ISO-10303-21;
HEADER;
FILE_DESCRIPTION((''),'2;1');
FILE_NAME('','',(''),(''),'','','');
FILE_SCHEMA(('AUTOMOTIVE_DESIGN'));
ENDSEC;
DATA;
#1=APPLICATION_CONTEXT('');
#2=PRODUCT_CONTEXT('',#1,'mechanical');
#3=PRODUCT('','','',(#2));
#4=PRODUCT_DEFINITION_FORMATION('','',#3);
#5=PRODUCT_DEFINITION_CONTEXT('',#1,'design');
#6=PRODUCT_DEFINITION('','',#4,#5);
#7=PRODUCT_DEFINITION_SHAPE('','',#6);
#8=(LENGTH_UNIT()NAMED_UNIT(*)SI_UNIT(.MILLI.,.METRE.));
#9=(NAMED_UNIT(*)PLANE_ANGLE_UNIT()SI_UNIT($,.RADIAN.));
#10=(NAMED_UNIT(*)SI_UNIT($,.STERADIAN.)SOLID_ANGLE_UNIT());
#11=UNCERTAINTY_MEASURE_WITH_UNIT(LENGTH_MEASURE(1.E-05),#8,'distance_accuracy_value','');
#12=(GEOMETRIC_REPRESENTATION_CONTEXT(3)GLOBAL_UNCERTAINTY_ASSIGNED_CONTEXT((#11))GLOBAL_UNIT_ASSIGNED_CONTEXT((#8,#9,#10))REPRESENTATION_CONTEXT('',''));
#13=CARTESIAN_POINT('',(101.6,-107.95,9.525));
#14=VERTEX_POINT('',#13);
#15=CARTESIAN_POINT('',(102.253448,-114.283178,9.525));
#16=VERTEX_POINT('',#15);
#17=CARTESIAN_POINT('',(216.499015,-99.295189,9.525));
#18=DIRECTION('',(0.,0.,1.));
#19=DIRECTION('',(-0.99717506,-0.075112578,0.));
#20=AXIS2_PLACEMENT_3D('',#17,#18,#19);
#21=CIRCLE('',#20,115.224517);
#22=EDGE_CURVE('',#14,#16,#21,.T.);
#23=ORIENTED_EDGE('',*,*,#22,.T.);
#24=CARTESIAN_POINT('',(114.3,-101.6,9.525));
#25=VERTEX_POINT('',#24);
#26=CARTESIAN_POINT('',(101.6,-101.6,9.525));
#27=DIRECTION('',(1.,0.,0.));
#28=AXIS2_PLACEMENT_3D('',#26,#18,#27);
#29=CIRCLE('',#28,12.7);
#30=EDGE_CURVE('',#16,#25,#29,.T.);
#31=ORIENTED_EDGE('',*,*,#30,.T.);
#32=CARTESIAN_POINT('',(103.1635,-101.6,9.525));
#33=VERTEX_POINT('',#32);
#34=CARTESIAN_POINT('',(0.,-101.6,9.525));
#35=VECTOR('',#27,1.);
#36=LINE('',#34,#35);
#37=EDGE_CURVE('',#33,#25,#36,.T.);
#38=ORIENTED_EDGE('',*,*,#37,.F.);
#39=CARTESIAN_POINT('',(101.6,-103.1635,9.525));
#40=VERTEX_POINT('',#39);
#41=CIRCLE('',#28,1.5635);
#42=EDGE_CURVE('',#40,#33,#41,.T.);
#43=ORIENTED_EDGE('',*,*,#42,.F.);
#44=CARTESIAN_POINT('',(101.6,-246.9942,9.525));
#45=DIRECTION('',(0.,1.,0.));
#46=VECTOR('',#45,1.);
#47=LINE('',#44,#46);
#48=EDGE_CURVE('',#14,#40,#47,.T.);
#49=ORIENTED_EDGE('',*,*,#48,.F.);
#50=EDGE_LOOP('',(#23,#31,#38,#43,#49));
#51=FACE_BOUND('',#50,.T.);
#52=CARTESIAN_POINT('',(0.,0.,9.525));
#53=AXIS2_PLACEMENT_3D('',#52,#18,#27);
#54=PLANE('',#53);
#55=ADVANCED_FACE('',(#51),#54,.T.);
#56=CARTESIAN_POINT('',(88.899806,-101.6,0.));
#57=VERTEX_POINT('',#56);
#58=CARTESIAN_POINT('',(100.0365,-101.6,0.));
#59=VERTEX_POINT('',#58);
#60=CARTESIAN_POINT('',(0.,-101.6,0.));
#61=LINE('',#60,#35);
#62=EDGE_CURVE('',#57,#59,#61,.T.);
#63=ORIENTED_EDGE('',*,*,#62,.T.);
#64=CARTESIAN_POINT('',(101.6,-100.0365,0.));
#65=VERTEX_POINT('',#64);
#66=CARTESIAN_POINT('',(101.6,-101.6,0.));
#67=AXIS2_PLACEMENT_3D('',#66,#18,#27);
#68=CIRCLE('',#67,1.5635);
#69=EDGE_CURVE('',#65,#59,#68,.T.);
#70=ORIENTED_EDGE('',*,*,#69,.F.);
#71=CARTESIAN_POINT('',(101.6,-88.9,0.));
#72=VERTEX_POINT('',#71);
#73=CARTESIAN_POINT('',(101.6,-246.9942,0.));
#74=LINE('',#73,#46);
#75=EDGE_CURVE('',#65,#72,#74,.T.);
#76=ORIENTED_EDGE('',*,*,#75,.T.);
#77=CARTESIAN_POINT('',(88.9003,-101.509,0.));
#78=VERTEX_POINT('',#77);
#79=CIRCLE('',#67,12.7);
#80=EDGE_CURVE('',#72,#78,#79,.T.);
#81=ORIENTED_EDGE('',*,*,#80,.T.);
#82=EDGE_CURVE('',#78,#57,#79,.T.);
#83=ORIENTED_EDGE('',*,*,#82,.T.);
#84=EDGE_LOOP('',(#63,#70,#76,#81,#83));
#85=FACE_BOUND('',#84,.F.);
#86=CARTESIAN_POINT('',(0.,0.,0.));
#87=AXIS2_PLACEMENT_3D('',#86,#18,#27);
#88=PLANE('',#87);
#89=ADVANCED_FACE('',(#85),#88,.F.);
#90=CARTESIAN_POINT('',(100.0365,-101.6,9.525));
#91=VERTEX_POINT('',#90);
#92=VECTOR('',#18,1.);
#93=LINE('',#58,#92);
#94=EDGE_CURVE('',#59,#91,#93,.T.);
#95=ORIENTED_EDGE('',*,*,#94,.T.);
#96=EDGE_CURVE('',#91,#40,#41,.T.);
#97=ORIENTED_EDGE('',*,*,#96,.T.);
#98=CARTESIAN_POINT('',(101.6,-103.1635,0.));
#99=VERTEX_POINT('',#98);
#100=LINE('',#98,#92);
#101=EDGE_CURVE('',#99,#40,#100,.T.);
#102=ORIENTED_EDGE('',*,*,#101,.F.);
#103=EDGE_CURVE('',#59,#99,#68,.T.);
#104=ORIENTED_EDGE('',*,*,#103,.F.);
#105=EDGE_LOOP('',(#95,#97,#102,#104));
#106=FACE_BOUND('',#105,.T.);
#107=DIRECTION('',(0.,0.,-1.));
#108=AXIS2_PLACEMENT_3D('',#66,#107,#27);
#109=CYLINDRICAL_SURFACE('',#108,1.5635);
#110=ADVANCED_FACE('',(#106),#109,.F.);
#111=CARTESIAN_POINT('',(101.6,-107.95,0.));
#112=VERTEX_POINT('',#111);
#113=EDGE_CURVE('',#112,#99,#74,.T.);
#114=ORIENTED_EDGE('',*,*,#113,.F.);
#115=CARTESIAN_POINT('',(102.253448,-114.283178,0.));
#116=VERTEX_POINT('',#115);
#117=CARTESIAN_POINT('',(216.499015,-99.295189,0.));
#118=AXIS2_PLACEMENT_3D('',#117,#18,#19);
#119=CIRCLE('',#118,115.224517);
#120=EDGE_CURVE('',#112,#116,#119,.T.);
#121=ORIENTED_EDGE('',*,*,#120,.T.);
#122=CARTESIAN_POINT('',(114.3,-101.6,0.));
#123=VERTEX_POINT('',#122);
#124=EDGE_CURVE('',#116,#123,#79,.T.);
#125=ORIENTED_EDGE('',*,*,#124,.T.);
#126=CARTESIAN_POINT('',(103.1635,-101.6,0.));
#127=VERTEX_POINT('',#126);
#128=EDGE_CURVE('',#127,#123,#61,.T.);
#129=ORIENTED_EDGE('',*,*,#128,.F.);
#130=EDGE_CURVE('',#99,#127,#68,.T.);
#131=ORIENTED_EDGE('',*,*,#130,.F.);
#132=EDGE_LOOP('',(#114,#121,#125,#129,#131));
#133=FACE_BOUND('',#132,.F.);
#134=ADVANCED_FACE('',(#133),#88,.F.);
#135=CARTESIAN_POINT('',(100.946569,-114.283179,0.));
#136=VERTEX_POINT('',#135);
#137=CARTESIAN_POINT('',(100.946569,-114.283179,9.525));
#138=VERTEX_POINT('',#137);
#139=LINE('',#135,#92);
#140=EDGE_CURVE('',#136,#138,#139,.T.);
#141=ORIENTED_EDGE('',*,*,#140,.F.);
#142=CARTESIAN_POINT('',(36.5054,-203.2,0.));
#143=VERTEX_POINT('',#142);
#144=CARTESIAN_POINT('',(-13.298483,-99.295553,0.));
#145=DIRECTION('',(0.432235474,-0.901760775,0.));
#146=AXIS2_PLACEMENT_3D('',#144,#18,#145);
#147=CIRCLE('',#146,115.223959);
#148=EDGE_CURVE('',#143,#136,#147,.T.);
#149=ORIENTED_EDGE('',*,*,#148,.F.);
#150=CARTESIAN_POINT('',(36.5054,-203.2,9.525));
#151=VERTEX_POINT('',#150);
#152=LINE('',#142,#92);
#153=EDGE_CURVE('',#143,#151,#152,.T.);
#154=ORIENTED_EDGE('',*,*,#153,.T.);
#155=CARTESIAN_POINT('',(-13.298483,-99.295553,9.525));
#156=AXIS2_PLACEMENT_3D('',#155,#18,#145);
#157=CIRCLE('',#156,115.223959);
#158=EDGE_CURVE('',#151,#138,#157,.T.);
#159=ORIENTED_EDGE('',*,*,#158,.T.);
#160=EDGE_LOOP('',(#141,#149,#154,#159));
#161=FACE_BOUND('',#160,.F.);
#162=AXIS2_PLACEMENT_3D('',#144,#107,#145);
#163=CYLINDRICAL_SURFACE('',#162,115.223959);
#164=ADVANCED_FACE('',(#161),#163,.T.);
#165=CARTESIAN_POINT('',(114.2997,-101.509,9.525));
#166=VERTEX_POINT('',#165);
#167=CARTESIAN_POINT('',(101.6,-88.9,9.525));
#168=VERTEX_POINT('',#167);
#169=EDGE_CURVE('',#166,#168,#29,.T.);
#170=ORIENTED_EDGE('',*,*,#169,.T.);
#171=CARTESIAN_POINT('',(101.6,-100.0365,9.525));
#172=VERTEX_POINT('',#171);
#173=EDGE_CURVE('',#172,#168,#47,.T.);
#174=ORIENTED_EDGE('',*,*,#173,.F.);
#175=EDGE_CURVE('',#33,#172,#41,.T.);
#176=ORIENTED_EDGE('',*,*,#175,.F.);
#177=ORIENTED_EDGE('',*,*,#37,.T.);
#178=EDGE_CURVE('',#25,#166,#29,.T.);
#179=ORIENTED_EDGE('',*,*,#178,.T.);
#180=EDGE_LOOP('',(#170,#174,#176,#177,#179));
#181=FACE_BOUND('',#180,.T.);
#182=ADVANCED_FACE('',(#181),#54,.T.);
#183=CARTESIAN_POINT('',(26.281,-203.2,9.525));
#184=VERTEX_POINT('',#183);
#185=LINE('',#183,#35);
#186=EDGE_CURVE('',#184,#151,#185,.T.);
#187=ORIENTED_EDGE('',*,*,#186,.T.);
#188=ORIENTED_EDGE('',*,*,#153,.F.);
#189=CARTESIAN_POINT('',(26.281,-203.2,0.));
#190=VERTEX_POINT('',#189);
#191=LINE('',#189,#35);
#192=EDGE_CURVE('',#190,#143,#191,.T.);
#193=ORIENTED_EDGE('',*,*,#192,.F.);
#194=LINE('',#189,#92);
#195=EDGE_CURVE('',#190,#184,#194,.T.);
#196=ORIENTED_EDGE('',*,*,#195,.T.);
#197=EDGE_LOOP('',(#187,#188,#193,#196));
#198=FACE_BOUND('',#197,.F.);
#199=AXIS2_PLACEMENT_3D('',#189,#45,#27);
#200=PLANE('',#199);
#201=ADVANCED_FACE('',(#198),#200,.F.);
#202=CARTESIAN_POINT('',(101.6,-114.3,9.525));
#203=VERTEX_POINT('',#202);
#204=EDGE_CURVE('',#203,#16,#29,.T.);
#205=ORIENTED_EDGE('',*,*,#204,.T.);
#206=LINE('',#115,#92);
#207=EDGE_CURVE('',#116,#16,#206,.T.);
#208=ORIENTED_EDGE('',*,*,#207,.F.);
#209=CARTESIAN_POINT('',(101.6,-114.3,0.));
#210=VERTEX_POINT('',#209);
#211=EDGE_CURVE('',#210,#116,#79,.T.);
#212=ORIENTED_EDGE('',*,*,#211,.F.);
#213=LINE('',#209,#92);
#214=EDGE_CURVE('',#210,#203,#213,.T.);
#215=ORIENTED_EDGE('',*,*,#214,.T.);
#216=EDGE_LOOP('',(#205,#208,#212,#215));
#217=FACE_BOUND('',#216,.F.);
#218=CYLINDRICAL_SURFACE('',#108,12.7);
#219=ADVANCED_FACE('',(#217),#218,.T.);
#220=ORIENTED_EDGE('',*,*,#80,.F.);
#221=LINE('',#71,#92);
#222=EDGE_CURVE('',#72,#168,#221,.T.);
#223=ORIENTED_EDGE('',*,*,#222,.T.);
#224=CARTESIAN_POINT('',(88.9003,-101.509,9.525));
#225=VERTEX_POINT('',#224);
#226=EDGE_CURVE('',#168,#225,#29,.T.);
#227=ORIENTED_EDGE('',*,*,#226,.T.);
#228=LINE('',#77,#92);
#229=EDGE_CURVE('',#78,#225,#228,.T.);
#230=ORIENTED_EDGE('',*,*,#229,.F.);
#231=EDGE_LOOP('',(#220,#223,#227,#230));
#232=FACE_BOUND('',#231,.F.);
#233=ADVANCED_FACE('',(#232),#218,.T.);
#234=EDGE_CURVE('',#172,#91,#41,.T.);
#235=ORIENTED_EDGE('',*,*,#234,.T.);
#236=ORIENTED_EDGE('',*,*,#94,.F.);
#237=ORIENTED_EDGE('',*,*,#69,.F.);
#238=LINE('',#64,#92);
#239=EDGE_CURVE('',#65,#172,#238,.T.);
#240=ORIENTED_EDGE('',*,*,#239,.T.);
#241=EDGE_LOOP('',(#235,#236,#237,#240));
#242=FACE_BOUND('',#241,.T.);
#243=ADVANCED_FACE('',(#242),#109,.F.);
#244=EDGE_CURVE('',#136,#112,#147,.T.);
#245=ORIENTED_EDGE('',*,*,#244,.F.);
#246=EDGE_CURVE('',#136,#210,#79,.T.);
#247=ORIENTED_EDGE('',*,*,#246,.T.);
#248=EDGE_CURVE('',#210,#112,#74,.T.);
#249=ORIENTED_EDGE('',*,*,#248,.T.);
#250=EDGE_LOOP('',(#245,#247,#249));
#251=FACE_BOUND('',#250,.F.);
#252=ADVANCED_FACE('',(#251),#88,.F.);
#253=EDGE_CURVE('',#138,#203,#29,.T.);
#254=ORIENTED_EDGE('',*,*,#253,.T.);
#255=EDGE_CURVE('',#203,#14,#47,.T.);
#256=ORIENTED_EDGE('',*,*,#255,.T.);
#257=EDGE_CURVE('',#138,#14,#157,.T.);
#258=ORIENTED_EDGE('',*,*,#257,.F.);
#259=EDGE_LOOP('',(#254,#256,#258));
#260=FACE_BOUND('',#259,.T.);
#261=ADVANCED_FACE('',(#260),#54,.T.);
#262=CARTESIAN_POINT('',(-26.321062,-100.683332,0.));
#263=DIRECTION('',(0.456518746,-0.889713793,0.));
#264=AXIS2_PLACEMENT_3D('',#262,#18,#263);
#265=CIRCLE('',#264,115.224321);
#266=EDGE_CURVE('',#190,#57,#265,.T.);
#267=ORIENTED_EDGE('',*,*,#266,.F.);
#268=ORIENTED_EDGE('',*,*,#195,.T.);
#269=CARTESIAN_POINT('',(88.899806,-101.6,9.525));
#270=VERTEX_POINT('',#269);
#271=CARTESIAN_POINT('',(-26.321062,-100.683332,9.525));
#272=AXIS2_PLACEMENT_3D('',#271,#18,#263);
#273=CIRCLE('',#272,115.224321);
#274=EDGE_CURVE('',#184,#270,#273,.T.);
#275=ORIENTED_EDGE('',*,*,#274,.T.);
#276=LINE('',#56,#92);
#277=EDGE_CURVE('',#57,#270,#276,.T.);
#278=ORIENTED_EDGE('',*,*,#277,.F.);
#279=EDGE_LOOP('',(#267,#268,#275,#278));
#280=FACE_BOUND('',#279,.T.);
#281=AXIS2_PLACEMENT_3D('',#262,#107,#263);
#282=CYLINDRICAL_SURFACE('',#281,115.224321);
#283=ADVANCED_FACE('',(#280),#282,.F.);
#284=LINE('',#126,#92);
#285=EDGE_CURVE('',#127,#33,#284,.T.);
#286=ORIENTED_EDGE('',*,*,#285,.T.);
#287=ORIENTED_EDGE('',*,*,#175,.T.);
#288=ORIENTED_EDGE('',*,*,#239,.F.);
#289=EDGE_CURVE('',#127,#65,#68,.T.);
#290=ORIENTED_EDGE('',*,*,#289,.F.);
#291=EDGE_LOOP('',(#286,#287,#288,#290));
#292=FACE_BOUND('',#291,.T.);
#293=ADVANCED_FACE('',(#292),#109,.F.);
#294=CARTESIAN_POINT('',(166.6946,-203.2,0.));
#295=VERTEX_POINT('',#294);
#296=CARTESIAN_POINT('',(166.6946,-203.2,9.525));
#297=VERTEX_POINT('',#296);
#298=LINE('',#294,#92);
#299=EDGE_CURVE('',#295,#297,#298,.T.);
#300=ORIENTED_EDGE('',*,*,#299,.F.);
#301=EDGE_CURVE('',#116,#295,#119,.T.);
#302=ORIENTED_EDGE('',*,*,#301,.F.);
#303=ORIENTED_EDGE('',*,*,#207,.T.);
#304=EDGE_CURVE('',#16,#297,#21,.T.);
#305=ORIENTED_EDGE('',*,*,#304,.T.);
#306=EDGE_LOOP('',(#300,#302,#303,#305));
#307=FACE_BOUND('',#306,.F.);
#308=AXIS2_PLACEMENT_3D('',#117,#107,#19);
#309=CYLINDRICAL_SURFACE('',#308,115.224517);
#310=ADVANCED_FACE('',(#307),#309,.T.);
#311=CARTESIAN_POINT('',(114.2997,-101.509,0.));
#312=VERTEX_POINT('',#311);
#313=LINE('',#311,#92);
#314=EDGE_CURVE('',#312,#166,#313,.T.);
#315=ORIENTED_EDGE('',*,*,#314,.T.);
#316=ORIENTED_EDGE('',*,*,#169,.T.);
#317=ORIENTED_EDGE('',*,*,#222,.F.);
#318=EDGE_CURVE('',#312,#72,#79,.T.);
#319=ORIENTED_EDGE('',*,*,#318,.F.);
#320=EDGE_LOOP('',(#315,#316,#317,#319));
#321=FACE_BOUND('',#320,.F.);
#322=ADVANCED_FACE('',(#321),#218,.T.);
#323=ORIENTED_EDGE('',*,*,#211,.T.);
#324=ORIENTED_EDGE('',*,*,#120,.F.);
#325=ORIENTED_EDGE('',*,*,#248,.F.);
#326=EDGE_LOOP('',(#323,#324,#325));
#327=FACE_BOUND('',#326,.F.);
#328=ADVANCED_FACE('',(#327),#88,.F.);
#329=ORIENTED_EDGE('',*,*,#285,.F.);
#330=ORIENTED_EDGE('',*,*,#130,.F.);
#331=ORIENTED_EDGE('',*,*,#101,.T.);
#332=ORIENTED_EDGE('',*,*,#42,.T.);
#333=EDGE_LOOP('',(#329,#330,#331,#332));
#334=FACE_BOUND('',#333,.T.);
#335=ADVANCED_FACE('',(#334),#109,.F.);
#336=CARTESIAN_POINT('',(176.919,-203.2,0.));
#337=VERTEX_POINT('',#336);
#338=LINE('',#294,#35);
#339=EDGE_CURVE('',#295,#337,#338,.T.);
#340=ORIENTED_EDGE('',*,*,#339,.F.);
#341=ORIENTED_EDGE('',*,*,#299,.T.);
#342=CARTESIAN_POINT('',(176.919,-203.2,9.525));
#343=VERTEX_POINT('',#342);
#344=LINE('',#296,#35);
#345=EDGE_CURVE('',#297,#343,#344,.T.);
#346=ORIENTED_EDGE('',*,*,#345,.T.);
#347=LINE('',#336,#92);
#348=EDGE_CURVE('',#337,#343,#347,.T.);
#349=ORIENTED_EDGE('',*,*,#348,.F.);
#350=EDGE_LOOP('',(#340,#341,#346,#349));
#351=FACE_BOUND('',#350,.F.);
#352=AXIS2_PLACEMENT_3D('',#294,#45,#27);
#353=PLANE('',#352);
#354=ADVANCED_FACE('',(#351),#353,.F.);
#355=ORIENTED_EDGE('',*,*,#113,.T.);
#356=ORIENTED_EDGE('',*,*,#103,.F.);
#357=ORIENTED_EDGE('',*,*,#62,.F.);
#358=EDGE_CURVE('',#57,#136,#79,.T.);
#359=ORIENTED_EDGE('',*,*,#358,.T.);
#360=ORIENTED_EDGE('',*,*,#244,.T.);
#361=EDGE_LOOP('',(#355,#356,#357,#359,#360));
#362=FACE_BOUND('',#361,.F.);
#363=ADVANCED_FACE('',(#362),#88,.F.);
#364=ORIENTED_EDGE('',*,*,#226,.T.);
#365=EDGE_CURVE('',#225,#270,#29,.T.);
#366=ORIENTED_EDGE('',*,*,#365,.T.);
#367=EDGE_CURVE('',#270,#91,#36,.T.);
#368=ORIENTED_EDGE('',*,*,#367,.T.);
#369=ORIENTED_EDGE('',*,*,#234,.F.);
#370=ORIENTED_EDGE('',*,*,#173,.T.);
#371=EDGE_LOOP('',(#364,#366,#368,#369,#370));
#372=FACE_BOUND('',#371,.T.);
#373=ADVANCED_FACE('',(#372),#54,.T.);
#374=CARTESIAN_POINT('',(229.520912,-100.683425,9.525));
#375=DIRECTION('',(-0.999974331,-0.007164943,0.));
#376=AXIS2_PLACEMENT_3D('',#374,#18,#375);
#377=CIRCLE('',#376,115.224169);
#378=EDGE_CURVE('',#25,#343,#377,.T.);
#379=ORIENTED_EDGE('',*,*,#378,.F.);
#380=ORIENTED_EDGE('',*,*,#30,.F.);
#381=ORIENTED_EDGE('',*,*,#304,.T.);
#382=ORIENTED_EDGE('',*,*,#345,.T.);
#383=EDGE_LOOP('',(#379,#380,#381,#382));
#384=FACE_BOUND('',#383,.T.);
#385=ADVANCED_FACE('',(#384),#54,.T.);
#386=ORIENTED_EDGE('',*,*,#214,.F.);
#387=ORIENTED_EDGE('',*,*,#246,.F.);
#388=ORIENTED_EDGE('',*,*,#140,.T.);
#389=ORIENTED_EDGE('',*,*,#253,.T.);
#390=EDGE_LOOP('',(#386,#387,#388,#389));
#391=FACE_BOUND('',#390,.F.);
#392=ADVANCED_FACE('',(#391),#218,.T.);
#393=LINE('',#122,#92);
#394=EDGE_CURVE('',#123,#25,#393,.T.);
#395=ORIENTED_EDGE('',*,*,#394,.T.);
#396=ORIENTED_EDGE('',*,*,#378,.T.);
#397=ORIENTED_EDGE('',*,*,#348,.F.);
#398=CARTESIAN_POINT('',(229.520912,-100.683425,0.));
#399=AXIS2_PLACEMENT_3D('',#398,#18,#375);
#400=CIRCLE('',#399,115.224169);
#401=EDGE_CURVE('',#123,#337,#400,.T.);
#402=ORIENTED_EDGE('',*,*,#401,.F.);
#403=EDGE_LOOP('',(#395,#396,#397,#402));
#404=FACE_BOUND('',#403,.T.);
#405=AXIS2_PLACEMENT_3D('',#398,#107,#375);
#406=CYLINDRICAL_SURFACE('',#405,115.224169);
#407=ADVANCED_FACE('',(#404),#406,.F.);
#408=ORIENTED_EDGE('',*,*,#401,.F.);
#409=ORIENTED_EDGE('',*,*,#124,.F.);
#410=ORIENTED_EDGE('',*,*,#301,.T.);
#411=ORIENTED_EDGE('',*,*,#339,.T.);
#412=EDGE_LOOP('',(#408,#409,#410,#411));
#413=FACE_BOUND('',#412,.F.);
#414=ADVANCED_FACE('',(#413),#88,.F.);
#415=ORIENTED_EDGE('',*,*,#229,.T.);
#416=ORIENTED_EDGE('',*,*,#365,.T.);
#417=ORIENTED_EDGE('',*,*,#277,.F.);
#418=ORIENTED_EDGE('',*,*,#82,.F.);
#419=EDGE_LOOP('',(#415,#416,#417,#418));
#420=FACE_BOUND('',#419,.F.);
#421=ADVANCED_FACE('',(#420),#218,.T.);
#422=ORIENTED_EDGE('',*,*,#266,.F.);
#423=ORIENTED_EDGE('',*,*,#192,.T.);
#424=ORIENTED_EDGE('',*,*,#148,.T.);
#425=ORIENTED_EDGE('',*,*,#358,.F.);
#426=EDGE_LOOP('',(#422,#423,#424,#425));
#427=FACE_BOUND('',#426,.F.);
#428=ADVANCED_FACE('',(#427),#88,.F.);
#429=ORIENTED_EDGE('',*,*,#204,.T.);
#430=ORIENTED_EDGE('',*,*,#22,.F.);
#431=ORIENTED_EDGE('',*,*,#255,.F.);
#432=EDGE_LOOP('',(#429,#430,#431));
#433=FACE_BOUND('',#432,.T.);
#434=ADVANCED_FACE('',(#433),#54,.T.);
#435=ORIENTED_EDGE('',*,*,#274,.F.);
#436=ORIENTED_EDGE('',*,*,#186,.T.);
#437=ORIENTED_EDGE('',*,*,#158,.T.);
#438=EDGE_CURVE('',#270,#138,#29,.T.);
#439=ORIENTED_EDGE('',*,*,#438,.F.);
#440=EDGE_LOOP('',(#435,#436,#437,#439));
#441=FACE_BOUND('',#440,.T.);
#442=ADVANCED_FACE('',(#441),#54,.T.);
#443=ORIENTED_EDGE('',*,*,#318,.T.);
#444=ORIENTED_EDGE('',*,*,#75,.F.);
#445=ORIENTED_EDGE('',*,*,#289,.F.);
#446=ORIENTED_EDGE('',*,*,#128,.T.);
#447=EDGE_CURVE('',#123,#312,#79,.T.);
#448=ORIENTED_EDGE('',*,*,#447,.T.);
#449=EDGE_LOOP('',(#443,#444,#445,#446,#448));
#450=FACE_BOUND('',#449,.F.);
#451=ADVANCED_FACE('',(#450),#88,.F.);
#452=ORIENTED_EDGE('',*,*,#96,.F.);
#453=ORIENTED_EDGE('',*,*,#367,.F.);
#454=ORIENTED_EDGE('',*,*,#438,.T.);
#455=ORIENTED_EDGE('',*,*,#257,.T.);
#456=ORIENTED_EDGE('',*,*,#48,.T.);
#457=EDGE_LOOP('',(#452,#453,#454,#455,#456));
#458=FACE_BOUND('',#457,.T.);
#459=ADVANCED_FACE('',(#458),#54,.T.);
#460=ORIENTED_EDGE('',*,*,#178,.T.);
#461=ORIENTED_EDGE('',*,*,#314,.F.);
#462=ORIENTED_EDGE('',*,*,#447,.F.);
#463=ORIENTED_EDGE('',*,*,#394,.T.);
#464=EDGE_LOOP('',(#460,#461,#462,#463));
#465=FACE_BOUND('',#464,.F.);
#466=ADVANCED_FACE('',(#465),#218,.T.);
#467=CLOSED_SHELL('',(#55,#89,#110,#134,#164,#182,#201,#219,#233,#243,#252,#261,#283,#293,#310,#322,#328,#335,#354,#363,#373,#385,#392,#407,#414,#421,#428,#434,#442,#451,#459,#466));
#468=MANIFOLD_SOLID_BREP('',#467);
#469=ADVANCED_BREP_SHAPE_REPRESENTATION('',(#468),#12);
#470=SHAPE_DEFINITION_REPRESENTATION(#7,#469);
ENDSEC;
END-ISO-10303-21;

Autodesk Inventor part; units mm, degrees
ref_plane "YZ Plane" through (0, 0, 0) normal (1, 0, 0) x (0, 1, 0)
ref_plane "XZ Plane" through (0, 0, 0) normal (0, 1, 0) x (-1, 0, 0)
ref_plane "XY Plane" through (0, 0, 0) normal (0, 0, 1) x (1, 0, 0)
sketch "Sketch1" plane through (0, 0, 0) normal (0, 0, 1) x (1, 0, 0)
  line L0 (0, 0) -> (203.2, 0)
  line L1 (203.2, 0) -> (203.2, -203.2)
  line L2 (0, -203.2) -> (0, 0)
  line L3 (0, -101.6) -> (203.2, -101.6)
  circle A0 centre (101.6, -101.6) radius 1.5635
  circle A1 centre (101.6, -101.6) radius 12.7
  arc A2 (26.281, -203.2) -> (88.9003, -101.509) centre (-26.321, -100.6834) ccw
  arc A3 (36.5054, -203.2) -> (101.6, -107.95) centre (-13.2987, -99.2953) ccw
  line L4 (101.6, -246.9942) -> (101.6, 0)
  arc A4 (114.2997, -101.509) -> (176.919, -203.2) centre (229.521, -100.6834) ccw
  arc A5 (101.6, -107.95) -> (166.6946, -203.2) centre (216.4987, -99.2953) ccw
  line L5 (166.6946, -203.2) -> (176.919, -203.2)
  line L6 (26.281, -203.2) -> (36.5054, -203.2)
  line L7 (0, -203.2) -> (203.2, -203.2)
  point P0 (88.9, -101.6)
  point P1 (88.8996, -101.6)
  point P2 (100.9466, -114.2832)
  point P3 (102.2534, -114.2832)
  point P4 (114.3004, -101.6)
  point P5 (114.3, -101.6)
  point P6 (171.8068, -203.2)
  point P7 (101.6, -123.4971)
  point P8 (114.2997, -101.509)
  dimension "d10" = 25.4
  dimension "d7" = 203.2
  dimension "d8" = 203.2
  dimension "d9" = 3.127
  dimension "d11" = 115.2242
  dimension "d12" = 115.2242
  dimension "d15" = 26.281
  dimension "d16" = 6.35
  dimension "d18" = 101.6
  dimension "d19" = 10.2243
extrude "Extrusion1" add sketch "Sketch1" along normal blind 9.525 contours L4 A0 L3 A1 | A1 L3 A0 L4 | L3 A0 L4 A3 A1 | A1 A3 L6 A2 | A3 L4 A1 | A1 A5 L4 A0 L3 | A4 L5 A5 A1 | L4 A5 A1
properties part number "rod support main"
